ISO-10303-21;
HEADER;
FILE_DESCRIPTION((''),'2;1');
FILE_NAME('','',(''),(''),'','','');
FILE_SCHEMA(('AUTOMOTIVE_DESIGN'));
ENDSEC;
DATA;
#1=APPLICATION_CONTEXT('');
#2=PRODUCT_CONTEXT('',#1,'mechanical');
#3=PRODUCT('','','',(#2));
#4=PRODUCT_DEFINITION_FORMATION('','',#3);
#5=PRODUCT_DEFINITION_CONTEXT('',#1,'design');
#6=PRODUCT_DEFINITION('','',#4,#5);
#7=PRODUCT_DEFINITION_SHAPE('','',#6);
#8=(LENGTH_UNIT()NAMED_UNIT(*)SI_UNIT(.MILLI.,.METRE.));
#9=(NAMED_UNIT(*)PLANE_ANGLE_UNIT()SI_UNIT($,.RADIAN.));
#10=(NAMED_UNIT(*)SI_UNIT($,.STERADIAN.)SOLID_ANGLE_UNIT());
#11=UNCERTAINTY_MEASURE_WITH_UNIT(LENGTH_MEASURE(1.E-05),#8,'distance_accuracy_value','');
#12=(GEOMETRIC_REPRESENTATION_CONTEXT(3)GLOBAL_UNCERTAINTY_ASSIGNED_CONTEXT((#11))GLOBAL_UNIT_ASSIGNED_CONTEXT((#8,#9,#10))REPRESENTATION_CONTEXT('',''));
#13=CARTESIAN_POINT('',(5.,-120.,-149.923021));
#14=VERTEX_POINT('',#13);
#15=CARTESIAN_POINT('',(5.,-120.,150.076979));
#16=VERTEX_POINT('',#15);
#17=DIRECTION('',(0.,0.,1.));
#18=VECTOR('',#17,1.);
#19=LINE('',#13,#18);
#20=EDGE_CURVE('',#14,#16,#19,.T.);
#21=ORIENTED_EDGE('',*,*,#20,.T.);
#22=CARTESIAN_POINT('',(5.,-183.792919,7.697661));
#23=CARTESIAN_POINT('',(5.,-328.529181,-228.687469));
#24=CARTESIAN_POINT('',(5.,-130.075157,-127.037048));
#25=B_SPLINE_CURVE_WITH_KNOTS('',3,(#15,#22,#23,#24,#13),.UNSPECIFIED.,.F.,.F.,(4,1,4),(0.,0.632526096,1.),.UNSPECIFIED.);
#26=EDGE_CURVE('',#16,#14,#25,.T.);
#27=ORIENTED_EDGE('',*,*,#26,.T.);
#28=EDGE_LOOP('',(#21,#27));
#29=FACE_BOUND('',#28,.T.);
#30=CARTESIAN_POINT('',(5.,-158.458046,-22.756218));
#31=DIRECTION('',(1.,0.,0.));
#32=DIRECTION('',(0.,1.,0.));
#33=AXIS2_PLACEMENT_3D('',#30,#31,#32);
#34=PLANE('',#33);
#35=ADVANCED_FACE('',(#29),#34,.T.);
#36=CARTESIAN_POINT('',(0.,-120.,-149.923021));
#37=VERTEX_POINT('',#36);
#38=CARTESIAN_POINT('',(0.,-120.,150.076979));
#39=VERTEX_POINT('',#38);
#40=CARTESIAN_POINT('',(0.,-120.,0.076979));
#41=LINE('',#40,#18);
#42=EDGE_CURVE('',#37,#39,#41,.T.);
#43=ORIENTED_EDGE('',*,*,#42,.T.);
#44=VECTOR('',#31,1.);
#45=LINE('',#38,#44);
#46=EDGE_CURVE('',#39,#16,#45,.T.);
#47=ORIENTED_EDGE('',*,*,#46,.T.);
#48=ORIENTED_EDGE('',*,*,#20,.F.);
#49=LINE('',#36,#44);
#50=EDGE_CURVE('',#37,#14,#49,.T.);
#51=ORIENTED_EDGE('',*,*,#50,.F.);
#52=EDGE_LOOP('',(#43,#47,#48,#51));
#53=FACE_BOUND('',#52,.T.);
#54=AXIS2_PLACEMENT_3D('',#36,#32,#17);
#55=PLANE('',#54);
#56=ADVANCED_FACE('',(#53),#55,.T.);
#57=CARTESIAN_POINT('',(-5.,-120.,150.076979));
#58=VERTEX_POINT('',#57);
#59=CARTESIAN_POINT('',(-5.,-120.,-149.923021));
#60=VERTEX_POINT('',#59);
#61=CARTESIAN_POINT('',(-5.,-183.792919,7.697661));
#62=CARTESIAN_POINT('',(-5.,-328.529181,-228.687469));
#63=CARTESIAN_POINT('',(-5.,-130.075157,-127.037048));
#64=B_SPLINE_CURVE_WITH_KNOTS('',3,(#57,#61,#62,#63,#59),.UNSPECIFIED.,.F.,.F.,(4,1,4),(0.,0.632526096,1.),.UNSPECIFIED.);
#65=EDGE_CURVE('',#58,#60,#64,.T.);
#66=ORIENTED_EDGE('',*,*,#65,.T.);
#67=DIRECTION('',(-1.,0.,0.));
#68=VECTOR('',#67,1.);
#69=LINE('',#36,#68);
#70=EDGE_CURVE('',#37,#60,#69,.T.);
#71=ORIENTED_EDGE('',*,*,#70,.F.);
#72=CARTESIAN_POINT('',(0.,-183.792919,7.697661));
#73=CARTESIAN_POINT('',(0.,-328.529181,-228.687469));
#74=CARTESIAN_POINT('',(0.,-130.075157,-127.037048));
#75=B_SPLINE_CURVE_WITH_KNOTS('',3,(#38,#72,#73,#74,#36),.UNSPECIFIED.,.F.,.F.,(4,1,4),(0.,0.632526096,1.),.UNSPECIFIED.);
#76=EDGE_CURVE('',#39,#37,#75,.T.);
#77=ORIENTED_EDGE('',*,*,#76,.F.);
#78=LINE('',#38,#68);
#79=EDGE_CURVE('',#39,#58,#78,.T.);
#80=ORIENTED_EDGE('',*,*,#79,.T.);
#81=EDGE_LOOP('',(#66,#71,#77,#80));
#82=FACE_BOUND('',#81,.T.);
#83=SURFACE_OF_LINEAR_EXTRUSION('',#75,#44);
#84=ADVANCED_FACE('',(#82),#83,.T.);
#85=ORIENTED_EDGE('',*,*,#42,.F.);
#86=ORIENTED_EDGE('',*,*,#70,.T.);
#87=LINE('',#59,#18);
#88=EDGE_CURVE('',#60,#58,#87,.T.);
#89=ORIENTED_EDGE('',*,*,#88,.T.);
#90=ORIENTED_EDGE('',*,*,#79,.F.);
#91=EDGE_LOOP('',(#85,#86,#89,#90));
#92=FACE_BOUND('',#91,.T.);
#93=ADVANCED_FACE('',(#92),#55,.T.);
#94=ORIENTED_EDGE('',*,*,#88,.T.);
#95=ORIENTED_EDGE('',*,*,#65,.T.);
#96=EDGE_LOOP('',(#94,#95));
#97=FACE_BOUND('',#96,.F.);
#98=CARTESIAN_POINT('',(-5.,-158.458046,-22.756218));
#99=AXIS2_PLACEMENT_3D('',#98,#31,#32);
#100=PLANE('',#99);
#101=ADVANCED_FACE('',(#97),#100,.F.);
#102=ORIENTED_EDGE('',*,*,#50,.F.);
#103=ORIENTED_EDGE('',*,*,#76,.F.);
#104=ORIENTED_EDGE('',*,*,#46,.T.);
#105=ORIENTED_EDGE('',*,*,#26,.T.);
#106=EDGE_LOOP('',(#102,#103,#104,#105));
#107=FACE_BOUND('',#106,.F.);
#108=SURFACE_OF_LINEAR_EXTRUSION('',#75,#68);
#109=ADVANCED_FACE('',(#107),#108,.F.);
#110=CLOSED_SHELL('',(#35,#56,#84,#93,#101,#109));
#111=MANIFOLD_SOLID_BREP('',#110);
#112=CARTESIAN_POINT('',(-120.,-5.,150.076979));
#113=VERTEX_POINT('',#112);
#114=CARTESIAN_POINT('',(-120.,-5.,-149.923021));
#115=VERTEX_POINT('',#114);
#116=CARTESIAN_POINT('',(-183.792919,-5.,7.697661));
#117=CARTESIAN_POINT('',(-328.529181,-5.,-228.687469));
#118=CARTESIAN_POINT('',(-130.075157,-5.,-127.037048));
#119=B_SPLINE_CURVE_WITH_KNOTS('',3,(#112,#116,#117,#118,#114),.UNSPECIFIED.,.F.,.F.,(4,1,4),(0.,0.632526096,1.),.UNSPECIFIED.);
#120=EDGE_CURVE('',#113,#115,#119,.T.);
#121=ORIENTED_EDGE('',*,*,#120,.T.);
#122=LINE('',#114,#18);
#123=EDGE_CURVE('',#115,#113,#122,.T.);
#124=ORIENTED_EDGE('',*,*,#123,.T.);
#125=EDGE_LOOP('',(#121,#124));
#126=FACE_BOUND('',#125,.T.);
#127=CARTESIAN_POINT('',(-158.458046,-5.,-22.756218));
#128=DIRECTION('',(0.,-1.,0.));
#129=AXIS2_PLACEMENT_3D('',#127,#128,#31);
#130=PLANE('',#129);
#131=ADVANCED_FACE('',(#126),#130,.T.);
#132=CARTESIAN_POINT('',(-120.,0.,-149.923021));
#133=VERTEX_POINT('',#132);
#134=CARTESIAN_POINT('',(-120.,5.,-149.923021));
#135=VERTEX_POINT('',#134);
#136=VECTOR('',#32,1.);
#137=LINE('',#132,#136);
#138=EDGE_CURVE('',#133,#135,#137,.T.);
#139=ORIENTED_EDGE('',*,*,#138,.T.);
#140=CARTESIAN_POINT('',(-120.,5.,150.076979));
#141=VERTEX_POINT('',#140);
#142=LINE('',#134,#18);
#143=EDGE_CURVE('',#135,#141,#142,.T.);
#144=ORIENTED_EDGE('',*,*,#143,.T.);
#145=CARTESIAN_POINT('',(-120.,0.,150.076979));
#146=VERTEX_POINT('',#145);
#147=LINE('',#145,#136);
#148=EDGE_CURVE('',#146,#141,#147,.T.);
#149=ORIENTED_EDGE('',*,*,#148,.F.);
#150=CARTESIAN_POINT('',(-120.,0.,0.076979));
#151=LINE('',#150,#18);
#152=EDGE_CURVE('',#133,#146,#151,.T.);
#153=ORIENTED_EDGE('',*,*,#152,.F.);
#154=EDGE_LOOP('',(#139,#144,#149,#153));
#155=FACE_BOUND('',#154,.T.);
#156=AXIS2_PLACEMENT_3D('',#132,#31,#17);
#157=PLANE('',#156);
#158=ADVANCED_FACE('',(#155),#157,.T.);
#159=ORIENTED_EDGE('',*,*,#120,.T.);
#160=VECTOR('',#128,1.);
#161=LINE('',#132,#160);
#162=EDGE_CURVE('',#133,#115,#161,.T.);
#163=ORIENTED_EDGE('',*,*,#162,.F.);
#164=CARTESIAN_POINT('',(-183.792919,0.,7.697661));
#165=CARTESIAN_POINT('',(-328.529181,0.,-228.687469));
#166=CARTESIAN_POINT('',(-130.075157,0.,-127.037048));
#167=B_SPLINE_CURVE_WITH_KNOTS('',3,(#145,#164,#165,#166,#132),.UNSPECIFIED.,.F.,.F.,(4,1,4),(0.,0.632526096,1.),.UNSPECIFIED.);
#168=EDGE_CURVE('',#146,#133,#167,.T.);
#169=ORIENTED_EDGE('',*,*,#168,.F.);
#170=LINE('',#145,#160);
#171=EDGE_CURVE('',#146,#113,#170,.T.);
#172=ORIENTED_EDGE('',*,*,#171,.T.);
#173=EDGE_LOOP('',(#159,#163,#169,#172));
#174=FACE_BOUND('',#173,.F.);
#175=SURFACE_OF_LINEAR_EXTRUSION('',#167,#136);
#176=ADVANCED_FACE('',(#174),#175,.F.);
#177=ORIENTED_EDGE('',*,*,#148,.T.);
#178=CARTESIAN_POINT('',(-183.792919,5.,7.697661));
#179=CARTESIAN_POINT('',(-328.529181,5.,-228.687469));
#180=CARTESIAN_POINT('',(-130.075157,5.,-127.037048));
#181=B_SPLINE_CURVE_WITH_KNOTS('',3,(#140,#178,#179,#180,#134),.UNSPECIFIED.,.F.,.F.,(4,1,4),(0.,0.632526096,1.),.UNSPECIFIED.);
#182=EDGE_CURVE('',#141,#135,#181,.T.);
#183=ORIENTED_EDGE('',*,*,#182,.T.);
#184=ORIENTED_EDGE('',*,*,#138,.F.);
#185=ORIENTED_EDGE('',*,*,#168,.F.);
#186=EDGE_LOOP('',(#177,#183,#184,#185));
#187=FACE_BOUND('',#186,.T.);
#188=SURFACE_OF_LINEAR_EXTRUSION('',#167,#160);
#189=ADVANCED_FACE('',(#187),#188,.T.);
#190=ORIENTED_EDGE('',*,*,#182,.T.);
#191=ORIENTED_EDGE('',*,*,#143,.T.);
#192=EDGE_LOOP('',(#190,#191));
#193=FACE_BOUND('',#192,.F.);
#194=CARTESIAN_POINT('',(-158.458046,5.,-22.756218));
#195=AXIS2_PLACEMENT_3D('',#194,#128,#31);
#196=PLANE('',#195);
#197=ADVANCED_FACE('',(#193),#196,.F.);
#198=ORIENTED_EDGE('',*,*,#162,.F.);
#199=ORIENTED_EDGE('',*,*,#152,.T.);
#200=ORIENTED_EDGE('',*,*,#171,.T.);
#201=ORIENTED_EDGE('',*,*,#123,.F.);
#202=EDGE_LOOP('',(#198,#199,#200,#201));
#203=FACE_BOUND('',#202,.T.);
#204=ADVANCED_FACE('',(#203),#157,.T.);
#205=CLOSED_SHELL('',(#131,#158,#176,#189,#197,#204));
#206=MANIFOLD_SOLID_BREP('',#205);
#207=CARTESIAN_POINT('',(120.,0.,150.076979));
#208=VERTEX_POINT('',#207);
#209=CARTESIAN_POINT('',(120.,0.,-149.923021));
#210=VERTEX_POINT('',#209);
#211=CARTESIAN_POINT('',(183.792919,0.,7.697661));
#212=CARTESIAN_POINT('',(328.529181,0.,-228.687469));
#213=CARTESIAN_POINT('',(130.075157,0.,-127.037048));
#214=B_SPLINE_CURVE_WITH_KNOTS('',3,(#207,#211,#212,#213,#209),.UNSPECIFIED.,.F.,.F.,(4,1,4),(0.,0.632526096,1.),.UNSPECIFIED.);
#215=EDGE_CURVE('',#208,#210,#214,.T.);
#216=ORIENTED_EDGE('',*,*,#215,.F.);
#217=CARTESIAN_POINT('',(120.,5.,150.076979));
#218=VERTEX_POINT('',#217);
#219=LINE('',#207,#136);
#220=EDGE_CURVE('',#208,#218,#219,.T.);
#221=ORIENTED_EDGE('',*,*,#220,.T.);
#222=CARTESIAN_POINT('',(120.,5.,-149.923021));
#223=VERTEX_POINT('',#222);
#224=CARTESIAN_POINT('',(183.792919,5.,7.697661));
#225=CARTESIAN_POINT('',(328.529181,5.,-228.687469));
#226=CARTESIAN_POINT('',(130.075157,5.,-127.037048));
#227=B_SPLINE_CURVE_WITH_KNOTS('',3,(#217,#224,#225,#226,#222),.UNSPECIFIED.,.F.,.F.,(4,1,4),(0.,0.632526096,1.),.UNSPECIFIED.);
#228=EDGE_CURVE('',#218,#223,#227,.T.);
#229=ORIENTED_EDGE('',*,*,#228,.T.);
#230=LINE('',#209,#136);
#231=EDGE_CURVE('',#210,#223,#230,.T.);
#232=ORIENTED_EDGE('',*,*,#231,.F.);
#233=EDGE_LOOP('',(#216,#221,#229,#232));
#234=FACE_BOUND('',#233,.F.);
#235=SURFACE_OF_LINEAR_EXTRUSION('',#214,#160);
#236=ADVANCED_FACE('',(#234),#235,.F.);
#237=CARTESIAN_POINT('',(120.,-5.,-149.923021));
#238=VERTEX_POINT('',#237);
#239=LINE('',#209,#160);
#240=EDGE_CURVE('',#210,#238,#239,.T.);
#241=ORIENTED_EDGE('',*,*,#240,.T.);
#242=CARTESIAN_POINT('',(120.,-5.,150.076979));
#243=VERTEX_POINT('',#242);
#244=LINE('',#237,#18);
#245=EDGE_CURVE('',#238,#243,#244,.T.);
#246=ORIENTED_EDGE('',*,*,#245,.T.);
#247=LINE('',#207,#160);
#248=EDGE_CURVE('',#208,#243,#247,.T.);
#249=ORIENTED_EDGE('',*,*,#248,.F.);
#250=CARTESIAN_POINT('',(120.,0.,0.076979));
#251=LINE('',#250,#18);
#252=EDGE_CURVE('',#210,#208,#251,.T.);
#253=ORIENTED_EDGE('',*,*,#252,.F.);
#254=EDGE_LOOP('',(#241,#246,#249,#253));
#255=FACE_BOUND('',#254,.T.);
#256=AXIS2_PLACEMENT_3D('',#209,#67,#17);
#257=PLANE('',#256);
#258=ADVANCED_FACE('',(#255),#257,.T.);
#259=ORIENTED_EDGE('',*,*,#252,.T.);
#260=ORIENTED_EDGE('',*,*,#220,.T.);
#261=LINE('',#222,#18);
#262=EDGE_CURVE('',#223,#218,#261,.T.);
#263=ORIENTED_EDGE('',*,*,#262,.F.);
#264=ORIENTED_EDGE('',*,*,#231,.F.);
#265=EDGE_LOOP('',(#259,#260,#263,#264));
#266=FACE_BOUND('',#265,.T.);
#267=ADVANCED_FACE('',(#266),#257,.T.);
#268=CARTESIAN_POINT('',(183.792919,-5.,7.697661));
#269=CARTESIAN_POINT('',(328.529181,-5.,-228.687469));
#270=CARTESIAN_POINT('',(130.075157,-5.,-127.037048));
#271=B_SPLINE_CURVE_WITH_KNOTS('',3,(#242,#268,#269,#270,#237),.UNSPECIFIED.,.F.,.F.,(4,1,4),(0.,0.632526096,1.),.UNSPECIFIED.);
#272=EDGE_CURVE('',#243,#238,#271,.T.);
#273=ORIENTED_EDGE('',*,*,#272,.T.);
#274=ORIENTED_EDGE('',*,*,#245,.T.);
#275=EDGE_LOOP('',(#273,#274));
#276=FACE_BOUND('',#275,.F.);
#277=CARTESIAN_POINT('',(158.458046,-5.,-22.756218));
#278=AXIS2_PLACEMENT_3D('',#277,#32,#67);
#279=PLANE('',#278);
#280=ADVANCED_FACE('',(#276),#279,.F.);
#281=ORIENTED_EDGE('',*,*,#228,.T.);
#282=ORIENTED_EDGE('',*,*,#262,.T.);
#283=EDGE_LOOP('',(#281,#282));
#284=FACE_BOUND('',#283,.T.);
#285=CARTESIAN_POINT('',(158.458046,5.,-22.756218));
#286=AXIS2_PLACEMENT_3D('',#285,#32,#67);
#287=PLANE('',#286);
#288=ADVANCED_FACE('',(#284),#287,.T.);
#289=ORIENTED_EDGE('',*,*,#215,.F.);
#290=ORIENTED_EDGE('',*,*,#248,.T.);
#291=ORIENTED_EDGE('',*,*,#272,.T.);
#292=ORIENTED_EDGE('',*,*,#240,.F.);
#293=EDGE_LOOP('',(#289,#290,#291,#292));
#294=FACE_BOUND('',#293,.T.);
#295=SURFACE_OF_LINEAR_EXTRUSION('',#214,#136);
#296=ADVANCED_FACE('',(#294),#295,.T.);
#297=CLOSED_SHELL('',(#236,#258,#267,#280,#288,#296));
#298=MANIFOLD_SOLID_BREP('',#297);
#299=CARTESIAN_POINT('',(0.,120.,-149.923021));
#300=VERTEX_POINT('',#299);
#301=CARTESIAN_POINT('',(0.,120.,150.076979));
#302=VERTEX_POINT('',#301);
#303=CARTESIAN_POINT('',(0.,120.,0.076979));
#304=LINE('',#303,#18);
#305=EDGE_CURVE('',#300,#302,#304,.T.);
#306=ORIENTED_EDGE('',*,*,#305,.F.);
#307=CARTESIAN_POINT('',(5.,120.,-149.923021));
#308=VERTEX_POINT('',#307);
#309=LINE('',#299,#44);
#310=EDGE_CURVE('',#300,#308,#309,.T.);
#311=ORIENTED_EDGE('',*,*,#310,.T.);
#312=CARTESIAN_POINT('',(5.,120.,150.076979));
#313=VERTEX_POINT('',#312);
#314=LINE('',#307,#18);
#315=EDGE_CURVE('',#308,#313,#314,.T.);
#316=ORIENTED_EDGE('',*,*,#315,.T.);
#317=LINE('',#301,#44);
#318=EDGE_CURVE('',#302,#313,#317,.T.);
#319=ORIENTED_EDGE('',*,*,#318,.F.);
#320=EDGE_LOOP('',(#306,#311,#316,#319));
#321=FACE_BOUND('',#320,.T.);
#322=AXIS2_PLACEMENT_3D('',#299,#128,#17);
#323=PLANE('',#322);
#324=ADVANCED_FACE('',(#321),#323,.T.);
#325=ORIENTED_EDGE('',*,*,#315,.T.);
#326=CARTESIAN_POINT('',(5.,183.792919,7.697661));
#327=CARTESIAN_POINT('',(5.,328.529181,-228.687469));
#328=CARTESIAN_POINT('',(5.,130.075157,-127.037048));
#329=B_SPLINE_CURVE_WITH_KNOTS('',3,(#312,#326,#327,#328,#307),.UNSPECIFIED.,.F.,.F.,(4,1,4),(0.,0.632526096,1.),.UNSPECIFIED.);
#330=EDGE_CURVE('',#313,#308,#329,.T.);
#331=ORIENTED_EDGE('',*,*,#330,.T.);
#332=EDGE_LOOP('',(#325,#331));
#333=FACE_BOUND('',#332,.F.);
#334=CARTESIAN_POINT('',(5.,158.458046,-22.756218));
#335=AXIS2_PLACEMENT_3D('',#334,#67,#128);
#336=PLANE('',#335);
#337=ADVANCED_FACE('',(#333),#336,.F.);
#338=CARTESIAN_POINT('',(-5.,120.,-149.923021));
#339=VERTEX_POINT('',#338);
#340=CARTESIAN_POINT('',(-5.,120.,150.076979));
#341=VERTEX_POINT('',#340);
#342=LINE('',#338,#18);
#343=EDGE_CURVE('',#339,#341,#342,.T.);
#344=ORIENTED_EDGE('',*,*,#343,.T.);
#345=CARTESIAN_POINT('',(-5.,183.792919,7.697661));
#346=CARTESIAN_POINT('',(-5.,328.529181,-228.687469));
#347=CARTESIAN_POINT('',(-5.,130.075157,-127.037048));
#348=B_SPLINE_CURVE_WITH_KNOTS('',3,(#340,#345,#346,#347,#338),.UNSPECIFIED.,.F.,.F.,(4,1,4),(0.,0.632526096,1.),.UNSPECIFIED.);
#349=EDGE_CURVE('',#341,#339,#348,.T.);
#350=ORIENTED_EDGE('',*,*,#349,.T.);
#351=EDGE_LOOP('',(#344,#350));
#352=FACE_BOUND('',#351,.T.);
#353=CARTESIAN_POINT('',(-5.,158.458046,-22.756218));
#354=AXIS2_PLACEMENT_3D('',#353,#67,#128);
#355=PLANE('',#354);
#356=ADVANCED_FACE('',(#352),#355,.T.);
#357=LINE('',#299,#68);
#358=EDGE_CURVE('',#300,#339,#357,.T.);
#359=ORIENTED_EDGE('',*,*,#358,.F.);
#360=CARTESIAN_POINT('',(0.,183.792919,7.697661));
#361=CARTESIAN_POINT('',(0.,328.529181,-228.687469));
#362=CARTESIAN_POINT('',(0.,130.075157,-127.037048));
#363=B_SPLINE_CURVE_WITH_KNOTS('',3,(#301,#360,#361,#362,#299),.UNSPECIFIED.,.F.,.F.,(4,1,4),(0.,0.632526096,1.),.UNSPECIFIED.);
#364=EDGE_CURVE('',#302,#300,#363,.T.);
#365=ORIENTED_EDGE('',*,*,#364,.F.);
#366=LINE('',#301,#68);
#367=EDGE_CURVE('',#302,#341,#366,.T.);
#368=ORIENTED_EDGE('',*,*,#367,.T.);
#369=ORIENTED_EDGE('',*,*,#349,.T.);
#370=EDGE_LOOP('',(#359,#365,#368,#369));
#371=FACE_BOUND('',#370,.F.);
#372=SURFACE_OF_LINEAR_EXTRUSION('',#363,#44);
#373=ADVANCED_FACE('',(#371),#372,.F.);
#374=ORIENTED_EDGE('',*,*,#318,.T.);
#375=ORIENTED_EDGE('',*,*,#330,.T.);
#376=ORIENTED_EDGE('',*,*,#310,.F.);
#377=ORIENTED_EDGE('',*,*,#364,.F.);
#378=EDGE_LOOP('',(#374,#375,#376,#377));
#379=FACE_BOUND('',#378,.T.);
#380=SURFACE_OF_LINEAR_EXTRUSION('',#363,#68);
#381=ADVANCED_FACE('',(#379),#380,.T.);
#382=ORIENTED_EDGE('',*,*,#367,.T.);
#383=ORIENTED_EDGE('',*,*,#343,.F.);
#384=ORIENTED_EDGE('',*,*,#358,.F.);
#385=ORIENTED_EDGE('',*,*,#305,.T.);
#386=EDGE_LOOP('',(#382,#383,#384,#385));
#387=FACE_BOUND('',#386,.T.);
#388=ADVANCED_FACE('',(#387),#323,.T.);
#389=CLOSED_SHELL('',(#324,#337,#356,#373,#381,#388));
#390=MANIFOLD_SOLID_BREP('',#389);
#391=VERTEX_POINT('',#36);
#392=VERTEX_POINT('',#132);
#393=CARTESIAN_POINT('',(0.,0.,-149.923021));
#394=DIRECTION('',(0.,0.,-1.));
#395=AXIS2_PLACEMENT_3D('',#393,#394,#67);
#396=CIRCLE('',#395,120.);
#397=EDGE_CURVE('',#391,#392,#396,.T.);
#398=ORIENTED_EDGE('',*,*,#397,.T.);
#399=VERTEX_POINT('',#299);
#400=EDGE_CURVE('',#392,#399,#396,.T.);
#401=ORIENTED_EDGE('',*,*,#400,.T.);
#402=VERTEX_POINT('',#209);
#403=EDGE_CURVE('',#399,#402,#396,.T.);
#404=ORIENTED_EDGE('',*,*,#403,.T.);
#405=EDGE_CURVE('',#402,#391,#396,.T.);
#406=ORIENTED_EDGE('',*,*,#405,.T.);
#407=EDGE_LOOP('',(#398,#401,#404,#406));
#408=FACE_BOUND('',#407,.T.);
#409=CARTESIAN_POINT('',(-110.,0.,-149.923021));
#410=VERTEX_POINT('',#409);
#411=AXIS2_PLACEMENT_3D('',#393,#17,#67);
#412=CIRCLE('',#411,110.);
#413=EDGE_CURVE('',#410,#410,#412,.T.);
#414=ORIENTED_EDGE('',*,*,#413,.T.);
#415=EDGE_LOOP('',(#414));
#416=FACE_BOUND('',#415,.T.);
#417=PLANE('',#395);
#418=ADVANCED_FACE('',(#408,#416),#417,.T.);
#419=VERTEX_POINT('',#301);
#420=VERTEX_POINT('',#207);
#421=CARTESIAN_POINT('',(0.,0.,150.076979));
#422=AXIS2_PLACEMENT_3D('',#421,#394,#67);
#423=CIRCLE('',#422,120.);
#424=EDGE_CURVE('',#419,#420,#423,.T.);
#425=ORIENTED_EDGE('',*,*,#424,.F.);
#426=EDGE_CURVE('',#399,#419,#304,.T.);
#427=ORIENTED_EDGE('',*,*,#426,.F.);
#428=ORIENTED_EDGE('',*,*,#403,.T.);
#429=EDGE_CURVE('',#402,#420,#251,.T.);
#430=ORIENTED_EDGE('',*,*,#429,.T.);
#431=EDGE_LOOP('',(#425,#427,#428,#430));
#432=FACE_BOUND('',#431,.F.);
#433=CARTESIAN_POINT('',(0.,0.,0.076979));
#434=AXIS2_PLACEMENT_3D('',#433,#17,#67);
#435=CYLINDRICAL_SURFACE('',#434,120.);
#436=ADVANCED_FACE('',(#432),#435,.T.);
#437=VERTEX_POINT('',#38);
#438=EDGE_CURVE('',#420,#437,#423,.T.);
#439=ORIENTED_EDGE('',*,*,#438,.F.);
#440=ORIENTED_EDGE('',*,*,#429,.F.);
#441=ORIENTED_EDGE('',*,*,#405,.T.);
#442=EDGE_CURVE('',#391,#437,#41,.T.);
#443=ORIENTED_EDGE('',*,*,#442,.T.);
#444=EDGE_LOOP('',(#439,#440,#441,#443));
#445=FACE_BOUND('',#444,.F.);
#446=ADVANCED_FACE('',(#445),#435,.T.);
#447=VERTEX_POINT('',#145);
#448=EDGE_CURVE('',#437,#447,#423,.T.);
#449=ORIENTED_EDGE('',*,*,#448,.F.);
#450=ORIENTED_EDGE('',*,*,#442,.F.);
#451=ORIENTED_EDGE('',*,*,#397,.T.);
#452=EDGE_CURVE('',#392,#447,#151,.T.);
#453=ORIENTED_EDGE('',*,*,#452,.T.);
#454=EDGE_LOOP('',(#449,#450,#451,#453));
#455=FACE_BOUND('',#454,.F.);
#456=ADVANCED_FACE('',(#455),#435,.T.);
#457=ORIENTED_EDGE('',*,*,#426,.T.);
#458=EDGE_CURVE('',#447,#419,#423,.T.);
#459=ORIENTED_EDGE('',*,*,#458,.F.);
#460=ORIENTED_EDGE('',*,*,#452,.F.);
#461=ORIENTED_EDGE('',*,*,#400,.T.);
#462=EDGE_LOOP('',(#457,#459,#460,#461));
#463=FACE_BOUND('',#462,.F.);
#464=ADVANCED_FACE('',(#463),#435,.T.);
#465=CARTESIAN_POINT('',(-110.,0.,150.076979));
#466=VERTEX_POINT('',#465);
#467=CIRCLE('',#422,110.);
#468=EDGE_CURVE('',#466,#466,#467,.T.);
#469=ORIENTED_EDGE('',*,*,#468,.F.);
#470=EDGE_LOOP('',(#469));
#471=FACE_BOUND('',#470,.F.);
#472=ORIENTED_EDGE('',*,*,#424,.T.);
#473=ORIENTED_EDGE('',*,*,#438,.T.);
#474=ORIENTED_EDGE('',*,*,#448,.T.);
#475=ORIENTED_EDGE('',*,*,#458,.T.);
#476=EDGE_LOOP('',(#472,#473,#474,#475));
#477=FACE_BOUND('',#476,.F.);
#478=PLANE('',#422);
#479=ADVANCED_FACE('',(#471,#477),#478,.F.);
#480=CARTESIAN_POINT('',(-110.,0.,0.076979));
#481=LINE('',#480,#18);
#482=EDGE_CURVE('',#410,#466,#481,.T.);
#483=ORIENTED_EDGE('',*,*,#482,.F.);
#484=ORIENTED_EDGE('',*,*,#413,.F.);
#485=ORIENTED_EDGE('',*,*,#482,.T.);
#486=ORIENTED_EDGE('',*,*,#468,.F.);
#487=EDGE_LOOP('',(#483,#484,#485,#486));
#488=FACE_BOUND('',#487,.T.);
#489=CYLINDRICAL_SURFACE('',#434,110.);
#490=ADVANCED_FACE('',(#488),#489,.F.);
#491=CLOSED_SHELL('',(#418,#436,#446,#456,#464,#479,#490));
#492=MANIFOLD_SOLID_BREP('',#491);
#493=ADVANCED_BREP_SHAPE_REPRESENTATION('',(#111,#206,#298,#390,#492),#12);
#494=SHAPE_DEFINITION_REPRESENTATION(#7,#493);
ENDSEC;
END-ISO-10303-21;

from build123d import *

# Parameters (mm, degrees)
F0_W     = 10
F0_H     = 300
F2_DEPTH = 5
F3_COUNT = 4


with BuildPart() as f1:
    # F0 (on Front) → F1 (revolve)
    with BuildSketch(Plane.XZ):
        with Locations((-115, 0.0769793987)):
            Rectangle(F0_W, F0_H)
    revolve(axis=Axis((0, 0, 4.6833008528), (0, 0, -1)))

    # F0 (on Front) → F2 (join, symmetric)
    with BuildSketch(Plane.XZ):
        with BuildLine():
            Line((-120, -149.9230206013), (-120, 150.0769793987))
            add(Edge.make_bspline(
                [(-120, 150.0769793987), (-183.7929189205, 7.6976614073), (-328.5291813645, -228.687468868), (-130.0751566887, -127.0370483398), (-120, -149.9230206013)],
                knots=[0, 0, 0, 0, 0.632526096, 1, 1, 1, 1], degree=3))
        make_face()
    extrude(amount=F2_DEPTH, both=True)

    # F3: F1 ×4 about axis
    f3_axis = Axis((0, 0, 4.6833008528), (0, 0, -1))


with BuildPart() as f1_1:
    add(f1.part)
    for i in range(1, F3_COUNT):
        add(f1.part.rotate(f3_axis, i * 360 / F3_COUNT))


solid = f1_1.part
